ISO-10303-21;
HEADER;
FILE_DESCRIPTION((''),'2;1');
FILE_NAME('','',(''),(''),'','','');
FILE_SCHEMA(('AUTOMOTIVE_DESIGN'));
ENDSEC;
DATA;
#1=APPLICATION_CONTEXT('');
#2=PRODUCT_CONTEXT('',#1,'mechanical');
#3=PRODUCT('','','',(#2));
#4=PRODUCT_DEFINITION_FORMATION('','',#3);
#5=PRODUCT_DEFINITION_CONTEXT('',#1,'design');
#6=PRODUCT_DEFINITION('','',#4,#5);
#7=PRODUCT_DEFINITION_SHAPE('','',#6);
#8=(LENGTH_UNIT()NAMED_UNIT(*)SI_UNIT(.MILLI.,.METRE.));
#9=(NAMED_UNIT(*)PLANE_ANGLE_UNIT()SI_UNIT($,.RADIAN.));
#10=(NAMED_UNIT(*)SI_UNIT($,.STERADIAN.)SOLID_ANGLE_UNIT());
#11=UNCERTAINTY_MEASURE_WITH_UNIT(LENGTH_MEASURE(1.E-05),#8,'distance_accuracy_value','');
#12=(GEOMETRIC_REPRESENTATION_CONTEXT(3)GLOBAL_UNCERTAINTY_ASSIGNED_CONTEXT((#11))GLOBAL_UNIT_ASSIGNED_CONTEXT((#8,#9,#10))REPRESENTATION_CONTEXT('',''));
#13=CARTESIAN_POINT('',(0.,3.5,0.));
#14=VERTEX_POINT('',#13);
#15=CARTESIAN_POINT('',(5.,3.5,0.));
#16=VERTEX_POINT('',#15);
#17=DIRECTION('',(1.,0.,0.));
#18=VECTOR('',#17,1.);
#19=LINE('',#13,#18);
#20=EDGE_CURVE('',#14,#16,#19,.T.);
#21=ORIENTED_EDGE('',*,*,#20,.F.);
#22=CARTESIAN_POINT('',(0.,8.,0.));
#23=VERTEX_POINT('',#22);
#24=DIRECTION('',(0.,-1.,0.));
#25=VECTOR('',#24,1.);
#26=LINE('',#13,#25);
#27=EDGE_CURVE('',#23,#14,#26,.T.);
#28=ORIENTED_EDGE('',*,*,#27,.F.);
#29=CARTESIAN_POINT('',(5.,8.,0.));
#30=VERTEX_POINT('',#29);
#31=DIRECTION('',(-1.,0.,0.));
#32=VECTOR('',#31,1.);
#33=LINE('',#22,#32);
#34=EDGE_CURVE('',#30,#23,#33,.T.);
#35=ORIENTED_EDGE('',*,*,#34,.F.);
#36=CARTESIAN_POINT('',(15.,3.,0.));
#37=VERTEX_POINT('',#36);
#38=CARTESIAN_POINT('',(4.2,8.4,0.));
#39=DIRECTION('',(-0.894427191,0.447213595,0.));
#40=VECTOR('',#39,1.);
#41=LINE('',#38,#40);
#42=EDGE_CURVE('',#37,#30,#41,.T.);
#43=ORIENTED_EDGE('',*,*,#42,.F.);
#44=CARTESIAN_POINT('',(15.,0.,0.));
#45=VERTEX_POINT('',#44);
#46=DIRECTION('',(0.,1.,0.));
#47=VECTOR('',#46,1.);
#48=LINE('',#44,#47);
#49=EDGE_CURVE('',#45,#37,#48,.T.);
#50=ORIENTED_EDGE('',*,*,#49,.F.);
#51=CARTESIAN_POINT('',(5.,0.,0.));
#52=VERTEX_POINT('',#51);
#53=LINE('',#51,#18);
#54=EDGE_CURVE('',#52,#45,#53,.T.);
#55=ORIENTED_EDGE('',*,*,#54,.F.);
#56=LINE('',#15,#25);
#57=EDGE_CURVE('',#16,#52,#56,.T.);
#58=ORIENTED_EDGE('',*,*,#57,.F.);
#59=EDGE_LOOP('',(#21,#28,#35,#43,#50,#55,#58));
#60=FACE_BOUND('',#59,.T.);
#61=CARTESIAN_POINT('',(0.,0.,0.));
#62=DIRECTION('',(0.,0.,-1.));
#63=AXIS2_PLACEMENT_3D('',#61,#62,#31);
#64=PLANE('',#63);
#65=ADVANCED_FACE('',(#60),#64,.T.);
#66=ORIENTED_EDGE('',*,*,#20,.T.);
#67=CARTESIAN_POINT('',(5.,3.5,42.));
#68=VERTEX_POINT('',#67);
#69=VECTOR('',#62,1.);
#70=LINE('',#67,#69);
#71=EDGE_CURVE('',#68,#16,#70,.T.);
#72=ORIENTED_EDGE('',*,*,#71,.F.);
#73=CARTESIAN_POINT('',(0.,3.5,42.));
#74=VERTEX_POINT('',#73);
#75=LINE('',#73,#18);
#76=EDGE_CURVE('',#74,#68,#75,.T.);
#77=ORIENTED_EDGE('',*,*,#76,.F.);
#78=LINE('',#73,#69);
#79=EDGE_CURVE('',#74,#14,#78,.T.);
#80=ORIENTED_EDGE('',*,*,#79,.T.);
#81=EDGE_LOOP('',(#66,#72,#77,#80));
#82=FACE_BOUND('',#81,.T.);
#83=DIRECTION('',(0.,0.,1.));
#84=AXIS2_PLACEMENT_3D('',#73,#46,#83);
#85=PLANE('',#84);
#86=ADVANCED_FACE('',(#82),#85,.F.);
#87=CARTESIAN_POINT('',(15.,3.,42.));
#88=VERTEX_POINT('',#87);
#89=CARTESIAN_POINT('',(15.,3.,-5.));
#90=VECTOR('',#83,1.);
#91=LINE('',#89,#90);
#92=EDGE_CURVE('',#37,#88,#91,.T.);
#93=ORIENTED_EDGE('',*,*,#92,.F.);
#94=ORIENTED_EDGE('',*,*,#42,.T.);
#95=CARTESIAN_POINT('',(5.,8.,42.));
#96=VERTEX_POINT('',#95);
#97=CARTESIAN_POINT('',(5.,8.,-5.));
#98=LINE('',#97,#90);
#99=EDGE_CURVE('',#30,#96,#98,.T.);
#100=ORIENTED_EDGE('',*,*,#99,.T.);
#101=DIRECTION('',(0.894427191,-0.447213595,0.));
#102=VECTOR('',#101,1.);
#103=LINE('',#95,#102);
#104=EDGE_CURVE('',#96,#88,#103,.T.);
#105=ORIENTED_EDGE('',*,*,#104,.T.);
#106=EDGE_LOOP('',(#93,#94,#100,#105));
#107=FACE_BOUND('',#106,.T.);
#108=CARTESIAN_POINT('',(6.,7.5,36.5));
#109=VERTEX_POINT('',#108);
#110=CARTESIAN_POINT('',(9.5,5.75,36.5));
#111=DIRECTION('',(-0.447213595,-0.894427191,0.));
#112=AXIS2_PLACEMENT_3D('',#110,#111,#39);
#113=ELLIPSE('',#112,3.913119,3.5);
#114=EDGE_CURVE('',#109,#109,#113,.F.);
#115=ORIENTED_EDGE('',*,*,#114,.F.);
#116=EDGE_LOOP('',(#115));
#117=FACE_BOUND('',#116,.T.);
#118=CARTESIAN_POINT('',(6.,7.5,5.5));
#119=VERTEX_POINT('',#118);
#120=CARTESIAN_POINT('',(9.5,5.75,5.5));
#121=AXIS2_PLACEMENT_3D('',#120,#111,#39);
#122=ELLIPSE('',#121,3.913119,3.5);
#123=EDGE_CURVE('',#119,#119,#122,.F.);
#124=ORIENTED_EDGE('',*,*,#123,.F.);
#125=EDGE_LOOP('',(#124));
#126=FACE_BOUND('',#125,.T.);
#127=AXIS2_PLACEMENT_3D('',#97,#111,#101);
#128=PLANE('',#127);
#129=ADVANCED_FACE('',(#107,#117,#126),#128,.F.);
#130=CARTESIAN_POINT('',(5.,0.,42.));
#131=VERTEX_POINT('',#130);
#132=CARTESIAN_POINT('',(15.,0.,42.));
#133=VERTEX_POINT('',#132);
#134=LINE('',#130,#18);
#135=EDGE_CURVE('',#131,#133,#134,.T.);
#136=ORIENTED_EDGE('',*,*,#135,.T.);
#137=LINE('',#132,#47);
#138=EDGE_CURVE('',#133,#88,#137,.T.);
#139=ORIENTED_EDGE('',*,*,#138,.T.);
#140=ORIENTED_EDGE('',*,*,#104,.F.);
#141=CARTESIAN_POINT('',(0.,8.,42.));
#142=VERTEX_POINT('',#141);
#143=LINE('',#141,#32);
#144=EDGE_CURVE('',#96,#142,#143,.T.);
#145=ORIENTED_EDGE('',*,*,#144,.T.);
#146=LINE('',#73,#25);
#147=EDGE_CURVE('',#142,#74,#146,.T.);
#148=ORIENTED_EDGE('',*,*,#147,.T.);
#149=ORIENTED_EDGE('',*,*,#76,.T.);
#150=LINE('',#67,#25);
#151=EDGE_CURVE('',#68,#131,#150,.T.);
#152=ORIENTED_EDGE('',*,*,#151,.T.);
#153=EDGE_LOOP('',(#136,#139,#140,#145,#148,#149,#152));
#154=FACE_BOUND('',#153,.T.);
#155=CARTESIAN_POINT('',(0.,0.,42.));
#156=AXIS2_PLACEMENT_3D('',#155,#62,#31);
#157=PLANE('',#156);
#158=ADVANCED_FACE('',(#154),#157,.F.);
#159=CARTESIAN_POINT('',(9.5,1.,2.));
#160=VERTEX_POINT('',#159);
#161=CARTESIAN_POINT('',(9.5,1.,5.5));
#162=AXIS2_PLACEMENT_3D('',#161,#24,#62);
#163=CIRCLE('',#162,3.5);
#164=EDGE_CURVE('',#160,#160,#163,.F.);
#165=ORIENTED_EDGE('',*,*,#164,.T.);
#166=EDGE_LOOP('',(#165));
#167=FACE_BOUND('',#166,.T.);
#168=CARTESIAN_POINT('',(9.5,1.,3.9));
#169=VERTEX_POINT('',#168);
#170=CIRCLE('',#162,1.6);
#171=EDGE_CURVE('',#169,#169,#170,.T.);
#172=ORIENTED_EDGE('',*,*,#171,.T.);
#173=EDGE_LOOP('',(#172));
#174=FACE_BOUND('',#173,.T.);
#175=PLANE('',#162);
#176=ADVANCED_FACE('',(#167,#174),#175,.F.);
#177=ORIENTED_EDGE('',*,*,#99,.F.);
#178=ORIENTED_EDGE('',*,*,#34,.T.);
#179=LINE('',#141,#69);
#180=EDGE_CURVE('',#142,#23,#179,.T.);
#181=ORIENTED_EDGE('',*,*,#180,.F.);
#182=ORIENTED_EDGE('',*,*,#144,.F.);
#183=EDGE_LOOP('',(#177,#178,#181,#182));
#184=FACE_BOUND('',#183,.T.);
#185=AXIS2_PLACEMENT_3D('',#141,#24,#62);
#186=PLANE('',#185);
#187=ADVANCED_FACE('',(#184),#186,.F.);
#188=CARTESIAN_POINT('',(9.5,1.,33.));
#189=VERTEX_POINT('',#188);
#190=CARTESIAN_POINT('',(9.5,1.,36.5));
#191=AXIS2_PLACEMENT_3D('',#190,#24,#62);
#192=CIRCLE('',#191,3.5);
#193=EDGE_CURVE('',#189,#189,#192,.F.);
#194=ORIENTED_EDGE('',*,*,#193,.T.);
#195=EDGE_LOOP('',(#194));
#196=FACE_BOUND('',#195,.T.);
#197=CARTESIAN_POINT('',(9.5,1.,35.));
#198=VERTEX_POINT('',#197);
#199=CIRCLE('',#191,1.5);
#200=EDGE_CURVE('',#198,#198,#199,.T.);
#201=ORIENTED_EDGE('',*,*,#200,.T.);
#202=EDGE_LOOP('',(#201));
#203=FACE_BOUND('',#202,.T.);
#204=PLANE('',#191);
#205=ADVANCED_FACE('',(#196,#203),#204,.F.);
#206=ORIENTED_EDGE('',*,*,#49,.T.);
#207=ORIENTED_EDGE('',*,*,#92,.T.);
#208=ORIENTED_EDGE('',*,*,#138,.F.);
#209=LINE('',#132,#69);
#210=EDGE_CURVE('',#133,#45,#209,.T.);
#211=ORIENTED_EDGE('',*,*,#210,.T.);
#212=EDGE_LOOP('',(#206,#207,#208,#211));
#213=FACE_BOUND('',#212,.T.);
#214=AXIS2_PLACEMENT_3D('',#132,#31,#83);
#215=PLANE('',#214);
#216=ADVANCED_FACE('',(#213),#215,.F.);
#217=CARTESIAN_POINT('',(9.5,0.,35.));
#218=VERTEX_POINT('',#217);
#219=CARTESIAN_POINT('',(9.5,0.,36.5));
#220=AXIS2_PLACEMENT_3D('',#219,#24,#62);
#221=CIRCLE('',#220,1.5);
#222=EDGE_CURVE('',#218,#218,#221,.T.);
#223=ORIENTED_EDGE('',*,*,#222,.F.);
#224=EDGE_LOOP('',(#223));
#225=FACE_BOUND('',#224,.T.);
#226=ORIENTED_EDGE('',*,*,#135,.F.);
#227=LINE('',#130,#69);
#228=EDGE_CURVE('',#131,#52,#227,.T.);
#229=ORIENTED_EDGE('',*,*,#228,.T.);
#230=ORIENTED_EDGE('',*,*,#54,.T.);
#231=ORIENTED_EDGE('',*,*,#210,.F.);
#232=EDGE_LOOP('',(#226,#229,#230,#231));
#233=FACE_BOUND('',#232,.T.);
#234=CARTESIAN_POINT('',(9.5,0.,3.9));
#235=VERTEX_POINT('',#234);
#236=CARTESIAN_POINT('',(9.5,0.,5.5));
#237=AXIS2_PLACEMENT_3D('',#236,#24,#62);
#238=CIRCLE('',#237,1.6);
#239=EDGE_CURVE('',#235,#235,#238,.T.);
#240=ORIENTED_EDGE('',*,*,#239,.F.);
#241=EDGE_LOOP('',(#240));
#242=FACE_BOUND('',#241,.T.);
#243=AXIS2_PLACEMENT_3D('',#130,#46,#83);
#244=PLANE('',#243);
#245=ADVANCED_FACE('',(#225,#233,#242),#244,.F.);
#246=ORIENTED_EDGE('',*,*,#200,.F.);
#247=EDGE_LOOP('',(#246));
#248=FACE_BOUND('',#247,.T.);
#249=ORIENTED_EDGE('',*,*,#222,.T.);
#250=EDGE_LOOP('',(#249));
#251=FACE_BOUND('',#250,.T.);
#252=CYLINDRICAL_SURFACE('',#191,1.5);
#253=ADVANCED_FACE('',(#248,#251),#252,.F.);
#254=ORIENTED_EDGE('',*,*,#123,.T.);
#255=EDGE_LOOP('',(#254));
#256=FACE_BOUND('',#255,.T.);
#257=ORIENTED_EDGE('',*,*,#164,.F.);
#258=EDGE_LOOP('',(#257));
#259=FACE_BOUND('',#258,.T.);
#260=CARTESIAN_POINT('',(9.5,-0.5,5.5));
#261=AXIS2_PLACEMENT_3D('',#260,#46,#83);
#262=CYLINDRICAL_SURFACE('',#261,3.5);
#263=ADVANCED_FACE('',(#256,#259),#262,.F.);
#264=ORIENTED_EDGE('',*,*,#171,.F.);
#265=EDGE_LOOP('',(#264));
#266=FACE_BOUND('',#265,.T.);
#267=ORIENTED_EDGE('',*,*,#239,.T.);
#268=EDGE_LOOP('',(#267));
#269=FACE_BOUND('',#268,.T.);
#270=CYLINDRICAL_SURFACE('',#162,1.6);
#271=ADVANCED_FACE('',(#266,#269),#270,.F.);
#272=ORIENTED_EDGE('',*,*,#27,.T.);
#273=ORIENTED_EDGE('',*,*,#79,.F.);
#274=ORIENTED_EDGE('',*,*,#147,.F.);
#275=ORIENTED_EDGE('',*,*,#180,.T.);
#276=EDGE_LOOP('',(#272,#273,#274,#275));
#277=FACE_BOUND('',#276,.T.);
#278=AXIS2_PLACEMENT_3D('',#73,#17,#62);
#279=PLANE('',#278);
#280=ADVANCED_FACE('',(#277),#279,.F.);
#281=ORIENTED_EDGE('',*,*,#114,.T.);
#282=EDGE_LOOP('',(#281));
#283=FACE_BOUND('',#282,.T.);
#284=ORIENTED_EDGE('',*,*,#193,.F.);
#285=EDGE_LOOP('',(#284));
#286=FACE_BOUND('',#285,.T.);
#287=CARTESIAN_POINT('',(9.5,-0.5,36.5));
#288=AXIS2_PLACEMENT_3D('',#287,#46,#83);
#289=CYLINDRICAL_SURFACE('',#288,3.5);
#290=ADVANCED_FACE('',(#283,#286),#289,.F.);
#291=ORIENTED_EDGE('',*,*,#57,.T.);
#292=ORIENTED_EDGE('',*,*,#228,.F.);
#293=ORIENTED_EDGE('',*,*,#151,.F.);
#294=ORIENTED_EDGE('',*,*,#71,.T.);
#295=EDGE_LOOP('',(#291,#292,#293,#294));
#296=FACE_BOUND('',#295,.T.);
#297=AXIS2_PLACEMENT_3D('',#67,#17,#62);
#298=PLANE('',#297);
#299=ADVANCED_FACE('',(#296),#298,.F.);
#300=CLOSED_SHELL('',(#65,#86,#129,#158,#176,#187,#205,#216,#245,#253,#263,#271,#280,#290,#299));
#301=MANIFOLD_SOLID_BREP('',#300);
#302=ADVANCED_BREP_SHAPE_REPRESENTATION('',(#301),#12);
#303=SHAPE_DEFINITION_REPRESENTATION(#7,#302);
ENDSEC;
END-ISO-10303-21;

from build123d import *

# Parameters (mm, degrees)
BOSS_EXTRU_1_DEPTH      = 42
ESQUISSE2_R             = 2.5
ENL_V_MAT_EXTRU_1_DEPTH = 42
ESQUISSE4_R             = 3.5
ENL_V_MAT_EXTRU_2_DEPTH = 8.5
ENL_V_MAT_EXTRU_4_DEPTH = 47
BOSS_EXTRU_2_START      = -1
ESQUISSE6_R             = 3.5
ESQUISSE6_R_2           = 1.5
ESQUISSE6_R_3           = 1.6
BOSS_EXTRU_2_DEPTH      = 1


with BuildPart() as part:
    # Esquisse1 → Boss.-Extru.1 (new body)
    with BuildSketch(Plane.XY):
        Polygon((0, 3.5), (5, 3.5), (5, 0), (15, 0), (15, 8), (0, 8), align=None)
    extrude(amount=BOSS_EXTRU_1_DEPTH)

    # Esquisse2 → Enlèv. mat.-Extru.1 (cut)
    with BuildSketch(Plane(origin=(0, 8, 0), x_dir=(1, 0, 0), z_dir=(0, 1, 0))):
        with Locations(Location((9.5, -5.5, 0), (0, 0, 270))):
            Circle(ESQUISSE2_R)
        with Locations(Location((9.5, -36.5, 0), (0, 0, 270))):
            Circle(ESQUISSE2_R)
    extrude(amount=-ENL_V_MAT_EXTRU_1_DEPTH, mode=Mode.SUBTRACT)

    # Esquisse4 → Enlèv. mat.-Extru.2 (cut)
    with BuildSketch(Plane(origin=(0, 8, 0), x_dir=(1, 0, 0), z_dir=(0, 1, 0))):
        with Locations(Location((9.5, -5.5, 0), (0, 0, 270))):
            Circle(ESQUISSE4_R)
        with Locations(Location((9.5, -36.5, 0), (0, 0, 270))):
            Circle(ESQUISSE4_R)
    extrude(amount=-ENL_V_MAT_EXTRU_2_DEPTH, mode=Mode.SUBTRACT)

    # Esquisse5 → Enlèv. mat.-Extru.4 (cut)
    with BuildSketch(Plane.XY.offset(42)):
        Polygon((5, 8), (15, 3), (18.054100071, 8.962914679), (5.626380762, 14.083983342), align=None)
    extrude(amount=-ENL_V_MAT_EXTRU_4_DEPTH, mode=Mode.SUBTRACT)

    # Esquisse6 → Boss.-Extru.2 (add)
    # profile 1 of 2: a face of its own
    with BuildSketch(Plane(origin=(0, 0, 0), x_dir=(-1, 0, 0), z_dir=(0, -1, 0)).offset(BOSS_EXTRU_2_START)):
        with Locations((-9.5, -36.5)):
            Circle(ESQUISSE6_R)
        with Locations(Location((-9.5, -36.5, 0), (0, 0, 90))):
            Circle(ESQUISSE6_R_2, mode=Mode.SUBTRACT)
    # profile 2 of 2: a face of its own
    with BuildSketch(Plane(origin=(0, 0, 0), x_dir=(-1, 0, 0), z_dir=(0, -1, 0)).offset(BOSS_EXTRU_2_START)):
        with Locations((-9.5, -5.5)):
            Circle(ESQUISSE6_R)
        with Locations(Location((-9.5, -5.5, 0), (0, 0, 90))):
            Circle(ESQUISSE6_R_3, mode=Mode.SUBTRACT)
    extrude(amount=BOSS_EXTRU_2_DEPTH)


solid = part.part
